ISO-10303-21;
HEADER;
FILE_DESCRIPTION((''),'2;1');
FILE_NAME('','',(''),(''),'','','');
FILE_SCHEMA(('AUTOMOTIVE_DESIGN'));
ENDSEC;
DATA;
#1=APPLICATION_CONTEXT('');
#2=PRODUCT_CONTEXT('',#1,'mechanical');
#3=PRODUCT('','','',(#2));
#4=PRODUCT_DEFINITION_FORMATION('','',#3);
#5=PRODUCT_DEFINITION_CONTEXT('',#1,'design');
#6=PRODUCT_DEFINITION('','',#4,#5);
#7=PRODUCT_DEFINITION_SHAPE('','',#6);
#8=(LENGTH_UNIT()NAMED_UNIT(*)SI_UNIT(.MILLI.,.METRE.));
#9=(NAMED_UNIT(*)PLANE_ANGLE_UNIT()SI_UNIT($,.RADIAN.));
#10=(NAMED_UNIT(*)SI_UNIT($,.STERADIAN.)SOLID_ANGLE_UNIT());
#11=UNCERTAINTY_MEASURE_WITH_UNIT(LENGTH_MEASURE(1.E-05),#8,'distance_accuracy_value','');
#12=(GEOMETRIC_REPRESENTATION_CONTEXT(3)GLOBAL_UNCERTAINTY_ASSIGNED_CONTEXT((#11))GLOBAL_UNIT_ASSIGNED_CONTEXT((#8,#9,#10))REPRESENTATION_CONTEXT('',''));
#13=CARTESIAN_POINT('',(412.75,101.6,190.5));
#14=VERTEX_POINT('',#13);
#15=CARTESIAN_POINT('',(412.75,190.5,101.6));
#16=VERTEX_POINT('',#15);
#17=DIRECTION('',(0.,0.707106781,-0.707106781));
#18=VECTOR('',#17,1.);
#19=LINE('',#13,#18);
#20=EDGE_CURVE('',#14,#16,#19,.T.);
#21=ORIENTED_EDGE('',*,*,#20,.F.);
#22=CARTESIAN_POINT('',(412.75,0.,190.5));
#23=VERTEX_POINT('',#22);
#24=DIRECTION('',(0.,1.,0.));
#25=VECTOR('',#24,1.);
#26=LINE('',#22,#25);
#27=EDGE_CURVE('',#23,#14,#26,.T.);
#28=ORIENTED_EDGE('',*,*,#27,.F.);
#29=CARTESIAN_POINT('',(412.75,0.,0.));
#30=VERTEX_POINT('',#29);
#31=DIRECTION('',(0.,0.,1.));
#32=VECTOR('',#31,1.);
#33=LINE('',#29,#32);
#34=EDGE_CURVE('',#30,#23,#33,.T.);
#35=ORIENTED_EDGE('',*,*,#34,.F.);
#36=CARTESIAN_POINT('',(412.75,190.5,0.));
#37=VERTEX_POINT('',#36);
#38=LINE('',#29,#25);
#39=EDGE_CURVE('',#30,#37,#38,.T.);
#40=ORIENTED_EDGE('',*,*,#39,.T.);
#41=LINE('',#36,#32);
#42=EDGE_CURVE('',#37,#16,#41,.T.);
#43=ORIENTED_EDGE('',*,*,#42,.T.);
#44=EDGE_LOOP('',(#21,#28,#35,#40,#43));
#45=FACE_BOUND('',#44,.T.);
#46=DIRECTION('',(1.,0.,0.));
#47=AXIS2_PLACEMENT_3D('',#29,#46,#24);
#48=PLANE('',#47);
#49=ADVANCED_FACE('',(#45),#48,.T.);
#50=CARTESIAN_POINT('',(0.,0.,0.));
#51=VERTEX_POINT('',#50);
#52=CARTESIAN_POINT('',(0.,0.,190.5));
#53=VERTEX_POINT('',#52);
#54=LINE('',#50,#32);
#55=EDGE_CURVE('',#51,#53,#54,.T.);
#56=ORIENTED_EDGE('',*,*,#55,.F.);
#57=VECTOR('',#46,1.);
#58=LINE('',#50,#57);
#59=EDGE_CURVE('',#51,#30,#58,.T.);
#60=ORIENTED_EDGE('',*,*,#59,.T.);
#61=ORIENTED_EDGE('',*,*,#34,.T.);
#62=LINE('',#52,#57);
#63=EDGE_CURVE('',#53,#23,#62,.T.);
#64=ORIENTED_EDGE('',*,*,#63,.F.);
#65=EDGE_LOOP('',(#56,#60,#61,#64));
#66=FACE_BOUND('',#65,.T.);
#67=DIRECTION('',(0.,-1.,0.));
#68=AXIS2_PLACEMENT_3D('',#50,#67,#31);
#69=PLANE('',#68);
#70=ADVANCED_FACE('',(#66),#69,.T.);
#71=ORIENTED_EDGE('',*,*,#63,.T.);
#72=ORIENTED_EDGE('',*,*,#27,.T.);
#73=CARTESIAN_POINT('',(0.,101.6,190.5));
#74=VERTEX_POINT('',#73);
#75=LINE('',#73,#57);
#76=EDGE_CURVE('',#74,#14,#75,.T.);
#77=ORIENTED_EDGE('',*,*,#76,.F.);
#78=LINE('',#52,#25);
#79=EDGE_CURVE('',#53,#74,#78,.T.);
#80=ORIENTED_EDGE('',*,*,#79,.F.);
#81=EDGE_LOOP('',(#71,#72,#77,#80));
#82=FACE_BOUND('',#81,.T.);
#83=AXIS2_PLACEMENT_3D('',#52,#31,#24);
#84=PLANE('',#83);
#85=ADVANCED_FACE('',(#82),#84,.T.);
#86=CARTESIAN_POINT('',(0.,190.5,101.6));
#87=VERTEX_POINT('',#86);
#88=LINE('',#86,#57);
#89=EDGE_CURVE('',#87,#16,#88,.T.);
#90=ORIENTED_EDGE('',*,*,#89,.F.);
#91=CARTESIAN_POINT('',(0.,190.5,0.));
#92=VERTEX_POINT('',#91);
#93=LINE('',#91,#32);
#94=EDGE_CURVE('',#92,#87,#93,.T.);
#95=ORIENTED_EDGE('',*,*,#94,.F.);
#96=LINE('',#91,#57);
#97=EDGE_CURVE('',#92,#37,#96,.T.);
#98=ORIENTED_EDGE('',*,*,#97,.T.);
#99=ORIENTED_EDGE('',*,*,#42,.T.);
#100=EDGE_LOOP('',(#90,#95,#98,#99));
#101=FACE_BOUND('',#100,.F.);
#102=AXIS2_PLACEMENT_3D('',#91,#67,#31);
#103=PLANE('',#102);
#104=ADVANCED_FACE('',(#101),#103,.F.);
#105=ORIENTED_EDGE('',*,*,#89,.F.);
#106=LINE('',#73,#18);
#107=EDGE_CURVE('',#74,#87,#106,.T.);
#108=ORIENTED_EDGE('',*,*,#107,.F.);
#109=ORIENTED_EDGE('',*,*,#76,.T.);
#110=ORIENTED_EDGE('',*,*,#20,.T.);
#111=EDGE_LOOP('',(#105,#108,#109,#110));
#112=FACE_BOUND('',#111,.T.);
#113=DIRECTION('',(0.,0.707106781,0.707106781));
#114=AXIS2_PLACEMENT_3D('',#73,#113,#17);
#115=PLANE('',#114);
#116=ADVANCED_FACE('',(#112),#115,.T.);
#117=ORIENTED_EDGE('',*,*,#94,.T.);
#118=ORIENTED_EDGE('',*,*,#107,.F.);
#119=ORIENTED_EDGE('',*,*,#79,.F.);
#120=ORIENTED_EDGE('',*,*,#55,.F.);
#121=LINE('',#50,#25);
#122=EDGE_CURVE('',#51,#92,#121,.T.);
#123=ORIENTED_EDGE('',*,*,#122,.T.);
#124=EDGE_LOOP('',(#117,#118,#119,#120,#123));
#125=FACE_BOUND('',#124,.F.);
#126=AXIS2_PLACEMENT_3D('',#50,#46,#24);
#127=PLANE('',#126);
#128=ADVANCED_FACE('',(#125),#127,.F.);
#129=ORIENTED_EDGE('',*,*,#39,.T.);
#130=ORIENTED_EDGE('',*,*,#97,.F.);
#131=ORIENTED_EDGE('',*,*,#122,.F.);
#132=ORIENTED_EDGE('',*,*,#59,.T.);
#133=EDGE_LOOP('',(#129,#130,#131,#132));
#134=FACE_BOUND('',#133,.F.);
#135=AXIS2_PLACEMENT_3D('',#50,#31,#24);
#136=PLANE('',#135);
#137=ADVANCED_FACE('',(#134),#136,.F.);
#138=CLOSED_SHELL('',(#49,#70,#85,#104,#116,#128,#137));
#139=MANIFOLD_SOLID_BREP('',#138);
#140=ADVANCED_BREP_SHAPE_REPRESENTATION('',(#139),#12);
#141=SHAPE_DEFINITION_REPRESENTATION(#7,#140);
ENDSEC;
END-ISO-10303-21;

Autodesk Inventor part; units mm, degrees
ref_plane "YZ Plane" through (0, 0, 0) normal (1, 0, 0) x (0, 1, 0)
ref_plane "XZ Plane" through (0, 0, 0) normal (0, 1, 0) x (-1, 0, 0)
ref_plane "XY Plane" through (0, 0, 0) normal (0, 0, 1) x (1, 0, 0)
sketch "Sketch1" plane through (0, 0, 0) normal (1, 0, 0) x (0, 1, 0)
  line L0 (0, 0) -> (190.5, 0)
  line L1 (0, 0) -> (0, 190.5)
  line L2 (190.5, 0) -> (190.5, 101.6)
  line L3 (0, 190.5) -> (101.6, 190.5)
  line L4 (101.6, 190.5) -> (190.5, 101.6)
  dimension "d0" = 190.5
  dimension "d1" = 190.5
  dimension "d2" = 101.6
  dimension "d3" = 101.6
  dimension "d4" = 88.9
  dimension "d5" = 88.9
extrude "Extrusion1" add sketch "Sketch1" along normal blind 412.75
properties part number "Full" material "Limestone"
